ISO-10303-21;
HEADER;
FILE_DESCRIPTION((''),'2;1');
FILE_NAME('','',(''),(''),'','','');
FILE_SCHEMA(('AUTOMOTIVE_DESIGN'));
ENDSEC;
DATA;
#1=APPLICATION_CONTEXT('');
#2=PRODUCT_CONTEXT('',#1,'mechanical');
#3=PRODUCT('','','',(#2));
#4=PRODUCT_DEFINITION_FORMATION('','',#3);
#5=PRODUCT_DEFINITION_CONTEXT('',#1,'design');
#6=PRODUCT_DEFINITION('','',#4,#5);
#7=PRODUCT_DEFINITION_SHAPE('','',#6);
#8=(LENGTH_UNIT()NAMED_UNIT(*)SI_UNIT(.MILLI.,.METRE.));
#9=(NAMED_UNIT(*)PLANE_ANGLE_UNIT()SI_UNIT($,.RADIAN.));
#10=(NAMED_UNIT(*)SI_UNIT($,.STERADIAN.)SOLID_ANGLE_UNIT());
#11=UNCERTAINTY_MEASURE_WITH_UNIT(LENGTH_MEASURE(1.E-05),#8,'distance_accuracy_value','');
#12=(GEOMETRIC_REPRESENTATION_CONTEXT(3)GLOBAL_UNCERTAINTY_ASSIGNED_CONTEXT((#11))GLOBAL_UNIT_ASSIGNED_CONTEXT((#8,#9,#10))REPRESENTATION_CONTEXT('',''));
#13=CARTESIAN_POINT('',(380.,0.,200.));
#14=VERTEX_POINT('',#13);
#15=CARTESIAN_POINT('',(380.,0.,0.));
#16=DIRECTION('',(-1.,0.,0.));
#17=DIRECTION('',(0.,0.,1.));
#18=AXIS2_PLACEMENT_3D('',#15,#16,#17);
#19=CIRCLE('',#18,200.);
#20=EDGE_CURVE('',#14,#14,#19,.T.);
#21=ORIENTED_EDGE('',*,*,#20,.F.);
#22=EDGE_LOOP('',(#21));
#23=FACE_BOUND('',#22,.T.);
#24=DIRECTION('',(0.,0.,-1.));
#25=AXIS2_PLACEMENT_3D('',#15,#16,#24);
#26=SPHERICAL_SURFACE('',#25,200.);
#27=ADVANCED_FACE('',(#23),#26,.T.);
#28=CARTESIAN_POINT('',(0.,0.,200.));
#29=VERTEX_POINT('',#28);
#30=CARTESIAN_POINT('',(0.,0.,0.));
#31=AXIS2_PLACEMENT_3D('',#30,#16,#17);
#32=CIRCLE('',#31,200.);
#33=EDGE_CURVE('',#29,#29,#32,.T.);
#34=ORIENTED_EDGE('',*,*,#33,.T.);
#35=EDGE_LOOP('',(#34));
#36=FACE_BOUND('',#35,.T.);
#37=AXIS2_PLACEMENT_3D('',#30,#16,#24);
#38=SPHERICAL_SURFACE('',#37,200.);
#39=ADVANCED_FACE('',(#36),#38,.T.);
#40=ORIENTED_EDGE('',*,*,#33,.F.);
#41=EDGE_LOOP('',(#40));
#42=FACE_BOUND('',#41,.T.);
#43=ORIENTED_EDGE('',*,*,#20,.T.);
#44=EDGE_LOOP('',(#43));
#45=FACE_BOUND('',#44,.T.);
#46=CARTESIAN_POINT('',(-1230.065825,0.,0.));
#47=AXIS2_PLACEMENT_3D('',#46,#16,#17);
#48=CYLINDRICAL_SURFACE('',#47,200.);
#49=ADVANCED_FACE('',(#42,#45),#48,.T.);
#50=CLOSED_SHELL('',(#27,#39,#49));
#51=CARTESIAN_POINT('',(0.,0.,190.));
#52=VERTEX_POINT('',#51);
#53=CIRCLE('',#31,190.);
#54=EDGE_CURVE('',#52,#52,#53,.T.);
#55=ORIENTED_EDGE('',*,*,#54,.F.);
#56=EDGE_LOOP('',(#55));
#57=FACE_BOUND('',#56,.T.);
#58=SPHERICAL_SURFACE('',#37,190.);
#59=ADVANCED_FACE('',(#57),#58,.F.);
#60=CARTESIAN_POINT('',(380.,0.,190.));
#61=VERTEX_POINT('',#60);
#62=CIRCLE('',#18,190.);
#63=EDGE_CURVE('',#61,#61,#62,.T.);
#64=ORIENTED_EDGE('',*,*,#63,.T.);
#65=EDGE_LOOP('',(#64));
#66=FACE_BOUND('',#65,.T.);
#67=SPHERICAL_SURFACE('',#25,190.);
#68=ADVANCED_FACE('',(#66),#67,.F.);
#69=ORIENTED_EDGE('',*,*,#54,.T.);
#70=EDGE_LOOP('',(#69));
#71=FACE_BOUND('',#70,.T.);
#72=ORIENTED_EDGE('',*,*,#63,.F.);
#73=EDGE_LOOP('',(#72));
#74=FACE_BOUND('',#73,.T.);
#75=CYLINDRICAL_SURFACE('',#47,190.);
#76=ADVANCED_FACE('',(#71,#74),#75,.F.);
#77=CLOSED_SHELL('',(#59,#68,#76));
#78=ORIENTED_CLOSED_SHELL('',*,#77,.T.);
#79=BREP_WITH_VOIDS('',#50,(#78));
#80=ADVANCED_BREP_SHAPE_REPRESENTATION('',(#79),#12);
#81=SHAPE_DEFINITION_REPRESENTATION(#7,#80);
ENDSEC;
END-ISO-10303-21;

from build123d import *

# Parameters (mm, degrees)
SHELL1_T = 10


with BuildPart() as part:
    # Sketch1 → Revolve4 (revolve)
    with BuildSketch(Plane(origin=(0, 0, 0), x_dir=(1, 0, 0), z_dir=(0, 1, 0))):
        with BuildLine():
            Line((0, 200), (380, 200))
            ThreePointArc((380, 200), (521.421356237, 141.421356237), (580, 0))
            Line((580, 0), (-200, 0))
            ThreePointArc((-200, 0), (-141.421356237, 141.421356237), (0, 200))
        make_face()
    revolve(axis=Axis((-1230.065825236, 0, 0), (1, 0, 0)))

    # Shell1 (no face opened: a closed hollow body)
    add(offset(amount=-SHELL1_T, mode=Mode.PRIVATE), mode=Mode.SUBTRACT)


solid = part.part
